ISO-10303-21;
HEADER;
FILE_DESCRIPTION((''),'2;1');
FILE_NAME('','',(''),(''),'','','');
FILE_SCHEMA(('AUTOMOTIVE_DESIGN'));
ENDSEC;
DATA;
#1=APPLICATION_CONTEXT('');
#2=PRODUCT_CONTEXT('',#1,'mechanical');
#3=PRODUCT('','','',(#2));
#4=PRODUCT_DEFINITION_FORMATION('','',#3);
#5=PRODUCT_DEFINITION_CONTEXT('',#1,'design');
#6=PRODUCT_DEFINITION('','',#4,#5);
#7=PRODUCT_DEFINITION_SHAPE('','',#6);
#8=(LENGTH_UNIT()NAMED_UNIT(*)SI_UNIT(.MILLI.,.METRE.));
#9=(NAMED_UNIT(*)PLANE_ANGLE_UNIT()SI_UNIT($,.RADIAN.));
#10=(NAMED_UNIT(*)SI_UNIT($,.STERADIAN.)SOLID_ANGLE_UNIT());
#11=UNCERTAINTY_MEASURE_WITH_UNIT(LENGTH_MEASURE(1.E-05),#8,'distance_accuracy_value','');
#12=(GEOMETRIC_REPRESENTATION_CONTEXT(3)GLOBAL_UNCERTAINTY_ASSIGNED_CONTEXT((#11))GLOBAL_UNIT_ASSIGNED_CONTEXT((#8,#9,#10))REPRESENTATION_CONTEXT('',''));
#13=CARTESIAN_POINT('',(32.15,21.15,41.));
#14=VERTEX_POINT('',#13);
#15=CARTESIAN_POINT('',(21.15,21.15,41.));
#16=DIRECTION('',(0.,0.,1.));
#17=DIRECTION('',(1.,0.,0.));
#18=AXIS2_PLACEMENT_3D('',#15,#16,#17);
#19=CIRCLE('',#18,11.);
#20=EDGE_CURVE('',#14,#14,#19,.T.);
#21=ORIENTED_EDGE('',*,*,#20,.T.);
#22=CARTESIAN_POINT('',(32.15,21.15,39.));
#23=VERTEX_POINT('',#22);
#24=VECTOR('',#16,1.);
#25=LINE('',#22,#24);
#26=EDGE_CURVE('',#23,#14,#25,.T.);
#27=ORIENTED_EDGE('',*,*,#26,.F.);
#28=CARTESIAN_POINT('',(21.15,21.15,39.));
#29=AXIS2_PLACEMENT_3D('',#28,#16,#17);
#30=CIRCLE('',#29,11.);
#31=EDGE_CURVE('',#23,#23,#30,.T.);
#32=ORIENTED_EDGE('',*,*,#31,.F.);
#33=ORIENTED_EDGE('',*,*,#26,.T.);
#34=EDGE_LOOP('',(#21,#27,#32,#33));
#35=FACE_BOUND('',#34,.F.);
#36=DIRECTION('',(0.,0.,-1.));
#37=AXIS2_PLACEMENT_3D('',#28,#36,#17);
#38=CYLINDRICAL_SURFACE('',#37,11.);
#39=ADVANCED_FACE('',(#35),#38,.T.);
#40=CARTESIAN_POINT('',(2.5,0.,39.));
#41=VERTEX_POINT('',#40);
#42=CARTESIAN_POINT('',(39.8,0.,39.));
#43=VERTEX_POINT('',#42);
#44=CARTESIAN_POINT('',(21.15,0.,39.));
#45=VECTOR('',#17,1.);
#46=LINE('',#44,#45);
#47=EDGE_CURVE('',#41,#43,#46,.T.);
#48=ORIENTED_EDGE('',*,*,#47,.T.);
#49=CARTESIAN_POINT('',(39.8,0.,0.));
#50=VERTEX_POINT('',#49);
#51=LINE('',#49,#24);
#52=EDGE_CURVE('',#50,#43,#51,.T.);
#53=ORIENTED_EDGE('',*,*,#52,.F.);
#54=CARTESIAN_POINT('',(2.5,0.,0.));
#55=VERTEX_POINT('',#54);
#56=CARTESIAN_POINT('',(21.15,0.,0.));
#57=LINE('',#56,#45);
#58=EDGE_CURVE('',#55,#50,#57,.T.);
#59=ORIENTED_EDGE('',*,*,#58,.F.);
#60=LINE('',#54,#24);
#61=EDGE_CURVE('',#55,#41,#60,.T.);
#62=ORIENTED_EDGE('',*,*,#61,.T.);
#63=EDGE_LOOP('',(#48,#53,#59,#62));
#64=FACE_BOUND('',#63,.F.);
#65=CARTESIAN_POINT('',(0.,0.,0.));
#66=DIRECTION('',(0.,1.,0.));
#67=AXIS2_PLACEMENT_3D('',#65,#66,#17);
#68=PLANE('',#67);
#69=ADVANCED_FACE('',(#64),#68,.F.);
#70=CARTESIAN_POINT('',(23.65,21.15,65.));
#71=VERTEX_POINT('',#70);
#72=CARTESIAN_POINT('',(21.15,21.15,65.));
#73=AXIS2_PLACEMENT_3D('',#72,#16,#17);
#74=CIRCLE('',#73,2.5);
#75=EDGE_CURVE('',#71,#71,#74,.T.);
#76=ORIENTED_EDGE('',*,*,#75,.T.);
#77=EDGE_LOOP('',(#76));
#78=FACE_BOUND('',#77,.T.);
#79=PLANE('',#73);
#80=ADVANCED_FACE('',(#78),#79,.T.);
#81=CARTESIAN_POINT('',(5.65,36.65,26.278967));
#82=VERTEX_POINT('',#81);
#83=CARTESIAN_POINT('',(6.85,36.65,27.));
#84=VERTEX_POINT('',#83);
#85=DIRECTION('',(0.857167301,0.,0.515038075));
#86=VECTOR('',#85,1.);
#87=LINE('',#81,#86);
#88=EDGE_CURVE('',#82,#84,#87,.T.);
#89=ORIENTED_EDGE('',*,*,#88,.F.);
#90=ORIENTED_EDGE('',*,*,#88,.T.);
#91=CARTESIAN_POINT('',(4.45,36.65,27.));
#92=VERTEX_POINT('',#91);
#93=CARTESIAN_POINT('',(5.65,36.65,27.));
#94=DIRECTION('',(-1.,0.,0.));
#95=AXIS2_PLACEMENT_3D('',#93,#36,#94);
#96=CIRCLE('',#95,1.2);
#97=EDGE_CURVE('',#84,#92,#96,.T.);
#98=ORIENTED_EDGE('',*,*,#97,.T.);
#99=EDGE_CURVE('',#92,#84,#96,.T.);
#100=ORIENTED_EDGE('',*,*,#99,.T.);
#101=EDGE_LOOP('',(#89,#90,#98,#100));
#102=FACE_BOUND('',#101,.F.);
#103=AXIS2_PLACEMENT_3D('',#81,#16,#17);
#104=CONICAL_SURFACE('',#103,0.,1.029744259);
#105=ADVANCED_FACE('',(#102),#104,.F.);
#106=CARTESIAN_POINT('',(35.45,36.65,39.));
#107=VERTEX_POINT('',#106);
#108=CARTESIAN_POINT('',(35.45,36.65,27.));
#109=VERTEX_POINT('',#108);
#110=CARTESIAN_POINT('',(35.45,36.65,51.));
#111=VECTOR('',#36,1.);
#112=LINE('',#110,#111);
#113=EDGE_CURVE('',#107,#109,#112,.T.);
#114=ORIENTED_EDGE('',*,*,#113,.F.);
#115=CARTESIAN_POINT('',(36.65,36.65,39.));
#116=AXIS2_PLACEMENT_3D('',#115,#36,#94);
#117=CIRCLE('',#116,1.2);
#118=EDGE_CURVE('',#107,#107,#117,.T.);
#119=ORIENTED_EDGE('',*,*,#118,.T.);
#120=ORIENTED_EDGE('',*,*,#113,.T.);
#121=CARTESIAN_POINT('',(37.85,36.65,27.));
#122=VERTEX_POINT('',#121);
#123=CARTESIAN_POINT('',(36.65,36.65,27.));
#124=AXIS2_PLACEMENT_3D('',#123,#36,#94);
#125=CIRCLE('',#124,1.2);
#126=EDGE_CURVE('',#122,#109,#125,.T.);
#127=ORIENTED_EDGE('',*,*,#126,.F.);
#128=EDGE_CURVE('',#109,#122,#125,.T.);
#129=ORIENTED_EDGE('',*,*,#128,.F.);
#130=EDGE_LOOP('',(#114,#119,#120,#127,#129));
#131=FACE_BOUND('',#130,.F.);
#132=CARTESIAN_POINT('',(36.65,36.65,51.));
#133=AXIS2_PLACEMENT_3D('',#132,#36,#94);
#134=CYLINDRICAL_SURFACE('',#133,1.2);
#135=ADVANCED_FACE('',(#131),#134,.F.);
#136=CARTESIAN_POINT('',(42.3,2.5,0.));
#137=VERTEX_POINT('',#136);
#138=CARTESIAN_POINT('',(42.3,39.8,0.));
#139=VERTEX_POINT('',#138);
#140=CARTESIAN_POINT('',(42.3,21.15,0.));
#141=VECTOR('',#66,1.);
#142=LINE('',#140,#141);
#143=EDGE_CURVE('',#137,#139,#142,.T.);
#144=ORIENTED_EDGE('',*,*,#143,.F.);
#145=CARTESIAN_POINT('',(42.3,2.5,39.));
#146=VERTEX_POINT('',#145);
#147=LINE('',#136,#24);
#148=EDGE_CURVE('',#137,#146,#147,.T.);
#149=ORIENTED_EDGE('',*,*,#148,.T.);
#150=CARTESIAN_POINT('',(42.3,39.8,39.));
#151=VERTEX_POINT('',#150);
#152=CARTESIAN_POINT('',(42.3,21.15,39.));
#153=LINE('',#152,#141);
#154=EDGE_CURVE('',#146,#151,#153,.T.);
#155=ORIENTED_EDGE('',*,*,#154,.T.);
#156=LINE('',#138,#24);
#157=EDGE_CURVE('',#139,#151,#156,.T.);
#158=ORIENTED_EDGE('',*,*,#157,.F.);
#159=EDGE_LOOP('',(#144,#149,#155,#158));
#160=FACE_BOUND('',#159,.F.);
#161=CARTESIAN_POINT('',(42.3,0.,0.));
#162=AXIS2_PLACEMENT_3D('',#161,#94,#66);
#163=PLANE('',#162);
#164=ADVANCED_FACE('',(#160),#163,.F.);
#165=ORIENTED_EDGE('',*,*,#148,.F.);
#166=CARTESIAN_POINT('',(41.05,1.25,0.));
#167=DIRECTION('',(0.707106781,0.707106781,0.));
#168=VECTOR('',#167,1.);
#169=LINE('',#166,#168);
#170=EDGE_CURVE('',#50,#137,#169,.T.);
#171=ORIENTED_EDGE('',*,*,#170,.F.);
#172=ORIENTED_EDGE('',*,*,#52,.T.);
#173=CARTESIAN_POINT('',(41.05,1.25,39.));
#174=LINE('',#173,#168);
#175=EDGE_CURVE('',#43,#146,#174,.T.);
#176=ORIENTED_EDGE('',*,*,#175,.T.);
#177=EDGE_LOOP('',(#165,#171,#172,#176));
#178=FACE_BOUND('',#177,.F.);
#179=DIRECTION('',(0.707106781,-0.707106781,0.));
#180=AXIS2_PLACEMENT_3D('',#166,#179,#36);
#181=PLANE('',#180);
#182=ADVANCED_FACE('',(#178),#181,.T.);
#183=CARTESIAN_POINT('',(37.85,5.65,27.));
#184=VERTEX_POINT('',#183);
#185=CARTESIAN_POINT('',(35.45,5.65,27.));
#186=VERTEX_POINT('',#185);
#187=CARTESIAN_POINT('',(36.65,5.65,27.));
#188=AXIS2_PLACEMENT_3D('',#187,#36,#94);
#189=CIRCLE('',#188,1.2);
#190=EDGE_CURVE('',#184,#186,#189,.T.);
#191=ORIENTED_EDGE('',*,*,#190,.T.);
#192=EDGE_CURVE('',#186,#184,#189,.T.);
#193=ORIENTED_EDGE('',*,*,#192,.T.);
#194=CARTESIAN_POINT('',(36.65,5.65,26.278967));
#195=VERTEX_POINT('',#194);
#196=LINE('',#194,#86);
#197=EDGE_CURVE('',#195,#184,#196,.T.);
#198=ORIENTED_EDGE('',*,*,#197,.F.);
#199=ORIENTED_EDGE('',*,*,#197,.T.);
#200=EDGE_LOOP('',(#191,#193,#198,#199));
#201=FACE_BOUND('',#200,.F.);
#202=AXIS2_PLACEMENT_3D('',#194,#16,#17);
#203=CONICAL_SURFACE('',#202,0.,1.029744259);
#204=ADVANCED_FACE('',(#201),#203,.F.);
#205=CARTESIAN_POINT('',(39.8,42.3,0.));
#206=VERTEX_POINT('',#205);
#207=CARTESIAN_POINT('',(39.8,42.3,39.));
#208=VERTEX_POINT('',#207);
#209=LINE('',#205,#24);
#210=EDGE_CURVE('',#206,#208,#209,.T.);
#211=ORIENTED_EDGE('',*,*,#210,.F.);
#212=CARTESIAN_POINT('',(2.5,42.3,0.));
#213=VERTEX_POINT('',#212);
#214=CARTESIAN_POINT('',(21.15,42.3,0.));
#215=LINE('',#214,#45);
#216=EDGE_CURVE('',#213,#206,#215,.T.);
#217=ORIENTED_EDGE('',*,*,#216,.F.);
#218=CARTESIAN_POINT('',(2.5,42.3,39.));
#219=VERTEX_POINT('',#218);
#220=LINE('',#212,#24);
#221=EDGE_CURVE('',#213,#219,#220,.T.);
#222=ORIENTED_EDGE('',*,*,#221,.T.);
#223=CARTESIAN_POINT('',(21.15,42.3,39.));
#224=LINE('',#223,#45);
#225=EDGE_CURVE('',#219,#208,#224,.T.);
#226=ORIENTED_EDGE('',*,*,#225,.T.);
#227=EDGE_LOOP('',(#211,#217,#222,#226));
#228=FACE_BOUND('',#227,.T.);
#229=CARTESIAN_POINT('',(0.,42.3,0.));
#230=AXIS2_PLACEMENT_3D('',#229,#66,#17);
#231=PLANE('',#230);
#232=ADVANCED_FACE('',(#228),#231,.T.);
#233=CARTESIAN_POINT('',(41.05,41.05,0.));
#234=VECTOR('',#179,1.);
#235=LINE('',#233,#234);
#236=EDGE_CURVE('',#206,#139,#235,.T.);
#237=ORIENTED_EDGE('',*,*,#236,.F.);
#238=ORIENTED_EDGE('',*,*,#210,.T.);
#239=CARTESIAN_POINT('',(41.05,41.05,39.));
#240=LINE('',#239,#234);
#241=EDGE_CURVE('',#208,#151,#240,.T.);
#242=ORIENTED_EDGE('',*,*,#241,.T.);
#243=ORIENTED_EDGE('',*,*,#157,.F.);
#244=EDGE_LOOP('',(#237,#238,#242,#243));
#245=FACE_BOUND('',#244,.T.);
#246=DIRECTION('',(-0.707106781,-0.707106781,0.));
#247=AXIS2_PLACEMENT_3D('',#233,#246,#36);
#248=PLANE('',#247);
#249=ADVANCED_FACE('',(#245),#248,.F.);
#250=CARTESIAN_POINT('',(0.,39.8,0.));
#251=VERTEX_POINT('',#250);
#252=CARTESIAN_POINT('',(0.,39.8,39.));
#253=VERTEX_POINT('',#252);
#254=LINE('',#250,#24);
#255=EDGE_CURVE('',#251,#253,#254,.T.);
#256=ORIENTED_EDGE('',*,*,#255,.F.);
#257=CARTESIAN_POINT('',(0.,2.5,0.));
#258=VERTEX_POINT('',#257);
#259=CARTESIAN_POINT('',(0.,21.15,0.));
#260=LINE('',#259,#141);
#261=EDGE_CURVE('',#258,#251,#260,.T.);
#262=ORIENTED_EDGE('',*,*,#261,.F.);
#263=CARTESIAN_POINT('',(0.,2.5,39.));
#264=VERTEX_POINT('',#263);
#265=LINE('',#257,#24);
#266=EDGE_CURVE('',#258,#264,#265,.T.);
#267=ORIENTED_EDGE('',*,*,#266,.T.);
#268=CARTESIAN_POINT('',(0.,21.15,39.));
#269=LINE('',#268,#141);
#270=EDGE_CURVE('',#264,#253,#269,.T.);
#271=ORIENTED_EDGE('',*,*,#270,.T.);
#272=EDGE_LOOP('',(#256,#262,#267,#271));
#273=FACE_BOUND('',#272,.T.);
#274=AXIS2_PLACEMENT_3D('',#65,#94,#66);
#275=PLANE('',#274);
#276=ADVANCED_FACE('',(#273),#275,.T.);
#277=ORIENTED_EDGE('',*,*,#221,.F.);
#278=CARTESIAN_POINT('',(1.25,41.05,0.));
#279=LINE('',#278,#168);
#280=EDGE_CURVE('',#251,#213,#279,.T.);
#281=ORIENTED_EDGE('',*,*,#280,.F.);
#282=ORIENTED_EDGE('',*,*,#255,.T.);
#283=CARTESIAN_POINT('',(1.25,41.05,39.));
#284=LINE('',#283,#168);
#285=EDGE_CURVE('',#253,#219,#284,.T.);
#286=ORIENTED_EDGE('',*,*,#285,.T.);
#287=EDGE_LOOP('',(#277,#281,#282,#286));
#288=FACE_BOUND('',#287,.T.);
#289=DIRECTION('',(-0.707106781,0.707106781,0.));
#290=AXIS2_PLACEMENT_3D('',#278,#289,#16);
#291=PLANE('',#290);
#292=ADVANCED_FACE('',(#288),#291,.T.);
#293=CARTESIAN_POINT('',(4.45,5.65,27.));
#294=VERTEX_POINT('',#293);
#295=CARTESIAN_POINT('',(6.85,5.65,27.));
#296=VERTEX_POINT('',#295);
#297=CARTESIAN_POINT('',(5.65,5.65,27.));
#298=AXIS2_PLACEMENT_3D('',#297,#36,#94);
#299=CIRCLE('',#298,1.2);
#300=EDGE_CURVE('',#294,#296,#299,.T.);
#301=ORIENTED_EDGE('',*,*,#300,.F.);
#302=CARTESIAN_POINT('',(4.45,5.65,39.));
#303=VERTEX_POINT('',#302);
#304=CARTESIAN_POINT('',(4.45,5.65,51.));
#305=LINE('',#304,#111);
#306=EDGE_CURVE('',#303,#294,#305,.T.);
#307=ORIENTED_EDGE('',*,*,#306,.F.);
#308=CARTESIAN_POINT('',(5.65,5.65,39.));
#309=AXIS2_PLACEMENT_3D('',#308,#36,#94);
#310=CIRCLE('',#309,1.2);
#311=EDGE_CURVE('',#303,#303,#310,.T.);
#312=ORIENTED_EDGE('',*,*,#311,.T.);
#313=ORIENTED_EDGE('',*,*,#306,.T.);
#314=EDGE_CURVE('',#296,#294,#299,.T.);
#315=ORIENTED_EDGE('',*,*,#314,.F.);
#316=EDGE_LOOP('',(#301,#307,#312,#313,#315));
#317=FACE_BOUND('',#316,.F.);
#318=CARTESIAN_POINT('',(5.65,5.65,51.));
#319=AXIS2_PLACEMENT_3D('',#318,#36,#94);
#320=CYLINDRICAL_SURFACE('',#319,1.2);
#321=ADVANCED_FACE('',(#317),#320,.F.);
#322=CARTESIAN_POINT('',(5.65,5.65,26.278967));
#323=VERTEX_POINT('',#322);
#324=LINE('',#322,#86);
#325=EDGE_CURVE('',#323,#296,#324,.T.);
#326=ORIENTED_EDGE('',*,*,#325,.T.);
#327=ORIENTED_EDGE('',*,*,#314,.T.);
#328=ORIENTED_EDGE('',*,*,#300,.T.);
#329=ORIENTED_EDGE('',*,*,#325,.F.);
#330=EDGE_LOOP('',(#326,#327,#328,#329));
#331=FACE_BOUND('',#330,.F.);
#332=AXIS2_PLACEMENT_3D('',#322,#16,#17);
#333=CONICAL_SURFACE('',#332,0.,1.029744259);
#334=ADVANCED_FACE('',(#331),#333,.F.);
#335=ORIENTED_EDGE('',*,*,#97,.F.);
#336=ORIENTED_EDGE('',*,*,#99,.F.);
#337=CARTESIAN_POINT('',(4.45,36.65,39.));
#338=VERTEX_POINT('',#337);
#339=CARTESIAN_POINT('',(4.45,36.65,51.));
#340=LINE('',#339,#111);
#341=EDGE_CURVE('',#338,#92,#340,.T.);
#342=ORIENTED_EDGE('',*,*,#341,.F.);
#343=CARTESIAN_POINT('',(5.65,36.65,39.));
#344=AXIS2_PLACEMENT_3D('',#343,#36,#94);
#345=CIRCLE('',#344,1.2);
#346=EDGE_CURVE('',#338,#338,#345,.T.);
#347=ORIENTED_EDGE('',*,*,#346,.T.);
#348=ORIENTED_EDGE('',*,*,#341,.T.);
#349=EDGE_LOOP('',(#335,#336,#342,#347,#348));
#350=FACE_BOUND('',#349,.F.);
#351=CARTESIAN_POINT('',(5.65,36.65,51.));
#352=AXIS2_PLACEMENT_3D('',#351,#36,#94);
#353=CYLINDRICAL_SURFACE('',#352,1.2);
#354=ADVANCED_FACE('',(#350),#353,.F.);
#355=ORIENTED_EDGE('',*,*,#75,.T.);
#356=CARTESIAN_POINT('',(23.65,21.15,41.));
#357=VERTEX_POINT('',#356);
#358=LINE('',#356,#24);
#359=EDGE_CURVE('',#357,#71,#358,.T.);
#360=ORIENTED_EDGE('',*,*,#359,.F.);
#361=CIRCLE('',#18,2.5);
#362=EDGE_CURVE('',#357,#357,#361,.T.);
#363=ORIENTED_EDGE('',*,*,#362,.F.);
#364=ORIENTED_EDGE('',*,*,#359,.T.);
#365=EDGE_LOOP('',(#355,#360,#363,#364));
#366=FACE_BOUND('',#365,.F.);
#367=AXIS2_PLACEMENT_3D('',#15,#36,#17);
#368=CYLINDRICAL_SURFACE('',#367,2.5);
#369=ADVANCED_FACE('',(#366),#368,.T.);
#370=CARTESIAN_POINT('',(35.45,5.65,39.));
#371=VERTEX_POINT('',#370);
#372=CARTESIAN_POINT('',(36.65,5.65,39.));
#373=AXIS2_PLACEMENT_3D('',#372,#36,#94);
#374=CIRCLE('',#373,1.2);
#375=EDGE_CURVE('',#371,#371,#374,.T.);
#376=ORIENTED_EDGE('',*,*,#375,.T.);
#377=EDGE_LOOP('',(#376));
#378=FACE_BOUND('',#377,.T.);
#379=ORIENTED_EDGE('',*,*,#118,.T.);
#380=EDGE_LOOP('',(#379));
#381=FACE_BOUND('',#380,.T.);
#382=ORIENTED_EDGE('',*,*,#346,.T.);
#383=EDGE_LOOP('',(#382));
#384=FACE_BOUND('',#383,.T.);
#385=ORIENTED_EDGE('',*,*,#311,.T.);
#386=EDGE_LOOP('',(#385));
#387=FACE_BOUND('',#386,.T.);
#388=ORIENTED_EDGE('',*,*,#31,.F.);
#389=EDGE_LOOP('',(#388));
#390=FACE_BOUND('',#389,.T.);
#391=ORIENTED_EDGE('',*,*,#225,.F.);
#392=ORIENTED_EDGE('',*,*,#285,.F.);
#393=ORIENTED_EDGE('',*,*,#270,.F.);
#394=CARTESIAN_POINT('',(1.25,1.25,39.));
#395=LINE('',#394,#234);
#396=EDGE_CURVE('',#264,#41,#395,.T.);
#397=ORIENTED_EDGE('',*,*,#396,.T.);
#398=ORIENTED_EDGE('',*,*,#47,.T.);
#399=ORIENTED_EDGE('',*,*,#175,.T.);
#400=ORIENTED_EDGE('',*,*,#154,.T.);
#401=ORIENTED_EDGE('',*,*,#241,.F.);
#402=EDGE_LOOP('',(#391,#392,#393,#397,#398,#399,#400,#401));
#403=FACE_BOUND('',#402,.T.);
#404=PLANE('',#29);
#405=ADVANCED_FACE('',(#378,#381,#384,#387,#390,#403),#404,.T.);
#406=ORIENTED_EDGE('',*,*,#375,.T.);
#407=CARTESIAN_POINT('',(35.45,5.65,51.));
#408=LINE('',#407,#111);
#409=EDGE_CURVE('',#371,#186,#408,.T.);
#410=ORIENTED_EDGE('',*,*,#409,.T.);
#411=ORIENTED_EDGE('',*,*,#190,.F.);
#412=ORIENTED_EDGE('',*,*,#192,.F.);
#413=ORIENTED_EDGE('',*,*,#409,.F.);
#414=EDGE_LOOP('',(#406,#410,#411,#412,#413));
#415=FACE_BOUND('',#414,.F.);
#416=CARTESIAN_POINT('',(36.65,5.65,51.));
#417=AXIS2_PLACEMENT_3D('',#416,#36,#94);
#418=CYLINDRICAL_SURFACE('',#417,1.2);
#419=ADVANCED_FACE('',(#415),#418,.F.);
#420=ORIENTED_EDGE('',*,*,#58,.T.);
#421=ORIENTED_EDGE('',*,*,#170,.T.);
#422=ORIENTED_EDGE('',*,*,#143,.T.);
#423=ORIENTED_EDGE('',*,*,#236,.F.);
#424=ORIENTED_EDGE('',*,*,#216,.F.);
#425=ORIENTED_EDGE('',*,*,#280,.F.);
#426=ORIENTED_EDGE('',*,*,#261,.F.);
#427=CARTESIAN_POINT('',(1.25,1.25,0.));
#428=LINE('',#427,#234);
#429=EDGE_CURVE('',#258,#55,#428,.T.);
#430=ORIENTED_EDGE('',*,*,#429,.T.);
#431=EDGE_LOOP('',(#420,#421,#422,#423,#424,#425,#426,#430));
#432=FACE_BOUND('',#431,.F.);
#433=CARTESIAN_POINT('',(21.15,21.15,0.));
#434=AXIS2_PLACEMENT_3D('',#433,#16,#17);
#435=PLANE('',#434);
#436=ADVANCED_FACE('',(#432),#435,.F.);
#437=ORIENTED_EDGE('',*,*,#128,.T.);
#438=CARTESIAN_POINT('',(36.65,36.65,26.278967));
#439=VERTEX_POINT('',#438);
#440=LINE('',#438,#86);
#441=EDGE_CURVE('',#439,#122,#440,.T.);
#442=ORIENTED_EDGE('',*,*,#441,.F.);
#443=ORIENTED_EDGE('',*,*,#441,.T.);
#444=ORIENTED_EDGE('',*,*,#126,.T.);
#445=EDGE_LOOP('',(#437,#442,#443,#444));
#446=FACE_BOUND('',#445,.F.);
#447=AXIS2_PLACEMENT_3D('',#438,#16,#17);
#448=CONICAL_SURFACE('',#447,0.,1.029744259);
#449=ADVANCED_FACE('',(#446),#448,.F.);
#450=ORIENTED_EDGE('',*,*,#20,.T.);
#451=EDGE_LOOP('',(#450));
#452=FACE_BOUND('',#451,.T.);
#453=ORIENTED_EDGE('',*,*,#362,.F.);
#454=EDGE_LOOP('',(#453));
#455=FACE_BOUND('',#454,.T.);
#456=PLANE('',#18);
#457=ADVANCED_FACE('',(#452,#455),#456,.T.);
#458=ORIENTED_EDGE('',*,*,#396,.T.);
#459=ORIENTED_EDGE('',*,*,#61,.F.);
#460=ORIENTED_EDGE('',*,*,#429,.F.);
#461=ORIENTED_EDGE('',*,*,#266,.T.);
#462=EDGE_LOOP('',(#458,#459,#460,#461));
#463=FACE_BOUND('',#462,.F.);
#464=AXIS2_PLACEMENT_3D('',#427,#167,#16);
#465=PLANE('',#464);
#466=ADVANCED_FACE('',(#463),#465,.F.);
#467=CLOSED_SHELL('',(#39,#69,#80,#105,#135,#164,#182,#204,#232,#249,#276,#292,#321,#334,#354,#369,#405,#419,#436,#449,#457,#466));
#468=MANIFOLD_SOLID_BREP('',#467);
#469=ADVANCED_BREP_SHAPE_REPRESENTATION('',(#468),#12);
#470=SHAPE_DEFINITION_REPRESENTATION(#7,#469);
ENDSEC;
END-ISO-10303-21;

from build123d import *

# Parameters (mm, degrees)
F0_W     = 42.3
F0_H     = 42.3
F1_DEPTH = 39
F2_R     = 11
F3_DEPTH = 2
F4_R     = 2.5
F5_DEPTH = 24
F6_SIZE  = 2.5
F8_D     = 2.4
F8_DEPTH = 12
F8_TIP   = 0.7210327428


with BuildPart() as f1:
    # F0 (on Top) → F1 (new body)
    with BuildSketch(Plane.XY):
        with Locations((21.15, 21.15)):
            Rectangle(F0_W, F0_H)
    extrude(amount=F1_DEPTH)

    # F2 (on face) → F3 (join)
    with BuildSketch(Plane.XY.offset(39)):
        with Locations((21.15, 21.15)):
            Circle(F2_R)
    extrude(amount=F3_DEPTH)

    # F4 (on face) → F5 (join)
    with BuildSketch(Plane.XY.offset(41)):
        with Locations((21.15, 21.15)):
            Circle(F4_R)
    extrude(amount=F5_DEPTH)

    # F6
    f6_edges = [f1.edges().sort_by_distance(p)[0] for p in [
        (42.3, 0, 19.5),
        (42.3, 42.3, 19.5),
        (0, 0, 19.5),
        (0, 42.3, 19.5),
    ]]
    chamfer(f6_edges, length=F6_SIZE)

    # F8
    with Locations(Plane.XY.offset(39)):
        with Locations((5.65, 36.65), (36.65, 36.65), (36.65, 5.65), (5.65, 5.65)):
            Hole(F8_D / 2, depth=F8_DEPTH)
            with Locations((0, 0, -(F8_DEPTH + F8_TIP / 2))):  # 118° drill point
                Cone(0, F8_D / 2, F8_TIP, mode=Mode.SUBTRACT)


solid = f1.part
